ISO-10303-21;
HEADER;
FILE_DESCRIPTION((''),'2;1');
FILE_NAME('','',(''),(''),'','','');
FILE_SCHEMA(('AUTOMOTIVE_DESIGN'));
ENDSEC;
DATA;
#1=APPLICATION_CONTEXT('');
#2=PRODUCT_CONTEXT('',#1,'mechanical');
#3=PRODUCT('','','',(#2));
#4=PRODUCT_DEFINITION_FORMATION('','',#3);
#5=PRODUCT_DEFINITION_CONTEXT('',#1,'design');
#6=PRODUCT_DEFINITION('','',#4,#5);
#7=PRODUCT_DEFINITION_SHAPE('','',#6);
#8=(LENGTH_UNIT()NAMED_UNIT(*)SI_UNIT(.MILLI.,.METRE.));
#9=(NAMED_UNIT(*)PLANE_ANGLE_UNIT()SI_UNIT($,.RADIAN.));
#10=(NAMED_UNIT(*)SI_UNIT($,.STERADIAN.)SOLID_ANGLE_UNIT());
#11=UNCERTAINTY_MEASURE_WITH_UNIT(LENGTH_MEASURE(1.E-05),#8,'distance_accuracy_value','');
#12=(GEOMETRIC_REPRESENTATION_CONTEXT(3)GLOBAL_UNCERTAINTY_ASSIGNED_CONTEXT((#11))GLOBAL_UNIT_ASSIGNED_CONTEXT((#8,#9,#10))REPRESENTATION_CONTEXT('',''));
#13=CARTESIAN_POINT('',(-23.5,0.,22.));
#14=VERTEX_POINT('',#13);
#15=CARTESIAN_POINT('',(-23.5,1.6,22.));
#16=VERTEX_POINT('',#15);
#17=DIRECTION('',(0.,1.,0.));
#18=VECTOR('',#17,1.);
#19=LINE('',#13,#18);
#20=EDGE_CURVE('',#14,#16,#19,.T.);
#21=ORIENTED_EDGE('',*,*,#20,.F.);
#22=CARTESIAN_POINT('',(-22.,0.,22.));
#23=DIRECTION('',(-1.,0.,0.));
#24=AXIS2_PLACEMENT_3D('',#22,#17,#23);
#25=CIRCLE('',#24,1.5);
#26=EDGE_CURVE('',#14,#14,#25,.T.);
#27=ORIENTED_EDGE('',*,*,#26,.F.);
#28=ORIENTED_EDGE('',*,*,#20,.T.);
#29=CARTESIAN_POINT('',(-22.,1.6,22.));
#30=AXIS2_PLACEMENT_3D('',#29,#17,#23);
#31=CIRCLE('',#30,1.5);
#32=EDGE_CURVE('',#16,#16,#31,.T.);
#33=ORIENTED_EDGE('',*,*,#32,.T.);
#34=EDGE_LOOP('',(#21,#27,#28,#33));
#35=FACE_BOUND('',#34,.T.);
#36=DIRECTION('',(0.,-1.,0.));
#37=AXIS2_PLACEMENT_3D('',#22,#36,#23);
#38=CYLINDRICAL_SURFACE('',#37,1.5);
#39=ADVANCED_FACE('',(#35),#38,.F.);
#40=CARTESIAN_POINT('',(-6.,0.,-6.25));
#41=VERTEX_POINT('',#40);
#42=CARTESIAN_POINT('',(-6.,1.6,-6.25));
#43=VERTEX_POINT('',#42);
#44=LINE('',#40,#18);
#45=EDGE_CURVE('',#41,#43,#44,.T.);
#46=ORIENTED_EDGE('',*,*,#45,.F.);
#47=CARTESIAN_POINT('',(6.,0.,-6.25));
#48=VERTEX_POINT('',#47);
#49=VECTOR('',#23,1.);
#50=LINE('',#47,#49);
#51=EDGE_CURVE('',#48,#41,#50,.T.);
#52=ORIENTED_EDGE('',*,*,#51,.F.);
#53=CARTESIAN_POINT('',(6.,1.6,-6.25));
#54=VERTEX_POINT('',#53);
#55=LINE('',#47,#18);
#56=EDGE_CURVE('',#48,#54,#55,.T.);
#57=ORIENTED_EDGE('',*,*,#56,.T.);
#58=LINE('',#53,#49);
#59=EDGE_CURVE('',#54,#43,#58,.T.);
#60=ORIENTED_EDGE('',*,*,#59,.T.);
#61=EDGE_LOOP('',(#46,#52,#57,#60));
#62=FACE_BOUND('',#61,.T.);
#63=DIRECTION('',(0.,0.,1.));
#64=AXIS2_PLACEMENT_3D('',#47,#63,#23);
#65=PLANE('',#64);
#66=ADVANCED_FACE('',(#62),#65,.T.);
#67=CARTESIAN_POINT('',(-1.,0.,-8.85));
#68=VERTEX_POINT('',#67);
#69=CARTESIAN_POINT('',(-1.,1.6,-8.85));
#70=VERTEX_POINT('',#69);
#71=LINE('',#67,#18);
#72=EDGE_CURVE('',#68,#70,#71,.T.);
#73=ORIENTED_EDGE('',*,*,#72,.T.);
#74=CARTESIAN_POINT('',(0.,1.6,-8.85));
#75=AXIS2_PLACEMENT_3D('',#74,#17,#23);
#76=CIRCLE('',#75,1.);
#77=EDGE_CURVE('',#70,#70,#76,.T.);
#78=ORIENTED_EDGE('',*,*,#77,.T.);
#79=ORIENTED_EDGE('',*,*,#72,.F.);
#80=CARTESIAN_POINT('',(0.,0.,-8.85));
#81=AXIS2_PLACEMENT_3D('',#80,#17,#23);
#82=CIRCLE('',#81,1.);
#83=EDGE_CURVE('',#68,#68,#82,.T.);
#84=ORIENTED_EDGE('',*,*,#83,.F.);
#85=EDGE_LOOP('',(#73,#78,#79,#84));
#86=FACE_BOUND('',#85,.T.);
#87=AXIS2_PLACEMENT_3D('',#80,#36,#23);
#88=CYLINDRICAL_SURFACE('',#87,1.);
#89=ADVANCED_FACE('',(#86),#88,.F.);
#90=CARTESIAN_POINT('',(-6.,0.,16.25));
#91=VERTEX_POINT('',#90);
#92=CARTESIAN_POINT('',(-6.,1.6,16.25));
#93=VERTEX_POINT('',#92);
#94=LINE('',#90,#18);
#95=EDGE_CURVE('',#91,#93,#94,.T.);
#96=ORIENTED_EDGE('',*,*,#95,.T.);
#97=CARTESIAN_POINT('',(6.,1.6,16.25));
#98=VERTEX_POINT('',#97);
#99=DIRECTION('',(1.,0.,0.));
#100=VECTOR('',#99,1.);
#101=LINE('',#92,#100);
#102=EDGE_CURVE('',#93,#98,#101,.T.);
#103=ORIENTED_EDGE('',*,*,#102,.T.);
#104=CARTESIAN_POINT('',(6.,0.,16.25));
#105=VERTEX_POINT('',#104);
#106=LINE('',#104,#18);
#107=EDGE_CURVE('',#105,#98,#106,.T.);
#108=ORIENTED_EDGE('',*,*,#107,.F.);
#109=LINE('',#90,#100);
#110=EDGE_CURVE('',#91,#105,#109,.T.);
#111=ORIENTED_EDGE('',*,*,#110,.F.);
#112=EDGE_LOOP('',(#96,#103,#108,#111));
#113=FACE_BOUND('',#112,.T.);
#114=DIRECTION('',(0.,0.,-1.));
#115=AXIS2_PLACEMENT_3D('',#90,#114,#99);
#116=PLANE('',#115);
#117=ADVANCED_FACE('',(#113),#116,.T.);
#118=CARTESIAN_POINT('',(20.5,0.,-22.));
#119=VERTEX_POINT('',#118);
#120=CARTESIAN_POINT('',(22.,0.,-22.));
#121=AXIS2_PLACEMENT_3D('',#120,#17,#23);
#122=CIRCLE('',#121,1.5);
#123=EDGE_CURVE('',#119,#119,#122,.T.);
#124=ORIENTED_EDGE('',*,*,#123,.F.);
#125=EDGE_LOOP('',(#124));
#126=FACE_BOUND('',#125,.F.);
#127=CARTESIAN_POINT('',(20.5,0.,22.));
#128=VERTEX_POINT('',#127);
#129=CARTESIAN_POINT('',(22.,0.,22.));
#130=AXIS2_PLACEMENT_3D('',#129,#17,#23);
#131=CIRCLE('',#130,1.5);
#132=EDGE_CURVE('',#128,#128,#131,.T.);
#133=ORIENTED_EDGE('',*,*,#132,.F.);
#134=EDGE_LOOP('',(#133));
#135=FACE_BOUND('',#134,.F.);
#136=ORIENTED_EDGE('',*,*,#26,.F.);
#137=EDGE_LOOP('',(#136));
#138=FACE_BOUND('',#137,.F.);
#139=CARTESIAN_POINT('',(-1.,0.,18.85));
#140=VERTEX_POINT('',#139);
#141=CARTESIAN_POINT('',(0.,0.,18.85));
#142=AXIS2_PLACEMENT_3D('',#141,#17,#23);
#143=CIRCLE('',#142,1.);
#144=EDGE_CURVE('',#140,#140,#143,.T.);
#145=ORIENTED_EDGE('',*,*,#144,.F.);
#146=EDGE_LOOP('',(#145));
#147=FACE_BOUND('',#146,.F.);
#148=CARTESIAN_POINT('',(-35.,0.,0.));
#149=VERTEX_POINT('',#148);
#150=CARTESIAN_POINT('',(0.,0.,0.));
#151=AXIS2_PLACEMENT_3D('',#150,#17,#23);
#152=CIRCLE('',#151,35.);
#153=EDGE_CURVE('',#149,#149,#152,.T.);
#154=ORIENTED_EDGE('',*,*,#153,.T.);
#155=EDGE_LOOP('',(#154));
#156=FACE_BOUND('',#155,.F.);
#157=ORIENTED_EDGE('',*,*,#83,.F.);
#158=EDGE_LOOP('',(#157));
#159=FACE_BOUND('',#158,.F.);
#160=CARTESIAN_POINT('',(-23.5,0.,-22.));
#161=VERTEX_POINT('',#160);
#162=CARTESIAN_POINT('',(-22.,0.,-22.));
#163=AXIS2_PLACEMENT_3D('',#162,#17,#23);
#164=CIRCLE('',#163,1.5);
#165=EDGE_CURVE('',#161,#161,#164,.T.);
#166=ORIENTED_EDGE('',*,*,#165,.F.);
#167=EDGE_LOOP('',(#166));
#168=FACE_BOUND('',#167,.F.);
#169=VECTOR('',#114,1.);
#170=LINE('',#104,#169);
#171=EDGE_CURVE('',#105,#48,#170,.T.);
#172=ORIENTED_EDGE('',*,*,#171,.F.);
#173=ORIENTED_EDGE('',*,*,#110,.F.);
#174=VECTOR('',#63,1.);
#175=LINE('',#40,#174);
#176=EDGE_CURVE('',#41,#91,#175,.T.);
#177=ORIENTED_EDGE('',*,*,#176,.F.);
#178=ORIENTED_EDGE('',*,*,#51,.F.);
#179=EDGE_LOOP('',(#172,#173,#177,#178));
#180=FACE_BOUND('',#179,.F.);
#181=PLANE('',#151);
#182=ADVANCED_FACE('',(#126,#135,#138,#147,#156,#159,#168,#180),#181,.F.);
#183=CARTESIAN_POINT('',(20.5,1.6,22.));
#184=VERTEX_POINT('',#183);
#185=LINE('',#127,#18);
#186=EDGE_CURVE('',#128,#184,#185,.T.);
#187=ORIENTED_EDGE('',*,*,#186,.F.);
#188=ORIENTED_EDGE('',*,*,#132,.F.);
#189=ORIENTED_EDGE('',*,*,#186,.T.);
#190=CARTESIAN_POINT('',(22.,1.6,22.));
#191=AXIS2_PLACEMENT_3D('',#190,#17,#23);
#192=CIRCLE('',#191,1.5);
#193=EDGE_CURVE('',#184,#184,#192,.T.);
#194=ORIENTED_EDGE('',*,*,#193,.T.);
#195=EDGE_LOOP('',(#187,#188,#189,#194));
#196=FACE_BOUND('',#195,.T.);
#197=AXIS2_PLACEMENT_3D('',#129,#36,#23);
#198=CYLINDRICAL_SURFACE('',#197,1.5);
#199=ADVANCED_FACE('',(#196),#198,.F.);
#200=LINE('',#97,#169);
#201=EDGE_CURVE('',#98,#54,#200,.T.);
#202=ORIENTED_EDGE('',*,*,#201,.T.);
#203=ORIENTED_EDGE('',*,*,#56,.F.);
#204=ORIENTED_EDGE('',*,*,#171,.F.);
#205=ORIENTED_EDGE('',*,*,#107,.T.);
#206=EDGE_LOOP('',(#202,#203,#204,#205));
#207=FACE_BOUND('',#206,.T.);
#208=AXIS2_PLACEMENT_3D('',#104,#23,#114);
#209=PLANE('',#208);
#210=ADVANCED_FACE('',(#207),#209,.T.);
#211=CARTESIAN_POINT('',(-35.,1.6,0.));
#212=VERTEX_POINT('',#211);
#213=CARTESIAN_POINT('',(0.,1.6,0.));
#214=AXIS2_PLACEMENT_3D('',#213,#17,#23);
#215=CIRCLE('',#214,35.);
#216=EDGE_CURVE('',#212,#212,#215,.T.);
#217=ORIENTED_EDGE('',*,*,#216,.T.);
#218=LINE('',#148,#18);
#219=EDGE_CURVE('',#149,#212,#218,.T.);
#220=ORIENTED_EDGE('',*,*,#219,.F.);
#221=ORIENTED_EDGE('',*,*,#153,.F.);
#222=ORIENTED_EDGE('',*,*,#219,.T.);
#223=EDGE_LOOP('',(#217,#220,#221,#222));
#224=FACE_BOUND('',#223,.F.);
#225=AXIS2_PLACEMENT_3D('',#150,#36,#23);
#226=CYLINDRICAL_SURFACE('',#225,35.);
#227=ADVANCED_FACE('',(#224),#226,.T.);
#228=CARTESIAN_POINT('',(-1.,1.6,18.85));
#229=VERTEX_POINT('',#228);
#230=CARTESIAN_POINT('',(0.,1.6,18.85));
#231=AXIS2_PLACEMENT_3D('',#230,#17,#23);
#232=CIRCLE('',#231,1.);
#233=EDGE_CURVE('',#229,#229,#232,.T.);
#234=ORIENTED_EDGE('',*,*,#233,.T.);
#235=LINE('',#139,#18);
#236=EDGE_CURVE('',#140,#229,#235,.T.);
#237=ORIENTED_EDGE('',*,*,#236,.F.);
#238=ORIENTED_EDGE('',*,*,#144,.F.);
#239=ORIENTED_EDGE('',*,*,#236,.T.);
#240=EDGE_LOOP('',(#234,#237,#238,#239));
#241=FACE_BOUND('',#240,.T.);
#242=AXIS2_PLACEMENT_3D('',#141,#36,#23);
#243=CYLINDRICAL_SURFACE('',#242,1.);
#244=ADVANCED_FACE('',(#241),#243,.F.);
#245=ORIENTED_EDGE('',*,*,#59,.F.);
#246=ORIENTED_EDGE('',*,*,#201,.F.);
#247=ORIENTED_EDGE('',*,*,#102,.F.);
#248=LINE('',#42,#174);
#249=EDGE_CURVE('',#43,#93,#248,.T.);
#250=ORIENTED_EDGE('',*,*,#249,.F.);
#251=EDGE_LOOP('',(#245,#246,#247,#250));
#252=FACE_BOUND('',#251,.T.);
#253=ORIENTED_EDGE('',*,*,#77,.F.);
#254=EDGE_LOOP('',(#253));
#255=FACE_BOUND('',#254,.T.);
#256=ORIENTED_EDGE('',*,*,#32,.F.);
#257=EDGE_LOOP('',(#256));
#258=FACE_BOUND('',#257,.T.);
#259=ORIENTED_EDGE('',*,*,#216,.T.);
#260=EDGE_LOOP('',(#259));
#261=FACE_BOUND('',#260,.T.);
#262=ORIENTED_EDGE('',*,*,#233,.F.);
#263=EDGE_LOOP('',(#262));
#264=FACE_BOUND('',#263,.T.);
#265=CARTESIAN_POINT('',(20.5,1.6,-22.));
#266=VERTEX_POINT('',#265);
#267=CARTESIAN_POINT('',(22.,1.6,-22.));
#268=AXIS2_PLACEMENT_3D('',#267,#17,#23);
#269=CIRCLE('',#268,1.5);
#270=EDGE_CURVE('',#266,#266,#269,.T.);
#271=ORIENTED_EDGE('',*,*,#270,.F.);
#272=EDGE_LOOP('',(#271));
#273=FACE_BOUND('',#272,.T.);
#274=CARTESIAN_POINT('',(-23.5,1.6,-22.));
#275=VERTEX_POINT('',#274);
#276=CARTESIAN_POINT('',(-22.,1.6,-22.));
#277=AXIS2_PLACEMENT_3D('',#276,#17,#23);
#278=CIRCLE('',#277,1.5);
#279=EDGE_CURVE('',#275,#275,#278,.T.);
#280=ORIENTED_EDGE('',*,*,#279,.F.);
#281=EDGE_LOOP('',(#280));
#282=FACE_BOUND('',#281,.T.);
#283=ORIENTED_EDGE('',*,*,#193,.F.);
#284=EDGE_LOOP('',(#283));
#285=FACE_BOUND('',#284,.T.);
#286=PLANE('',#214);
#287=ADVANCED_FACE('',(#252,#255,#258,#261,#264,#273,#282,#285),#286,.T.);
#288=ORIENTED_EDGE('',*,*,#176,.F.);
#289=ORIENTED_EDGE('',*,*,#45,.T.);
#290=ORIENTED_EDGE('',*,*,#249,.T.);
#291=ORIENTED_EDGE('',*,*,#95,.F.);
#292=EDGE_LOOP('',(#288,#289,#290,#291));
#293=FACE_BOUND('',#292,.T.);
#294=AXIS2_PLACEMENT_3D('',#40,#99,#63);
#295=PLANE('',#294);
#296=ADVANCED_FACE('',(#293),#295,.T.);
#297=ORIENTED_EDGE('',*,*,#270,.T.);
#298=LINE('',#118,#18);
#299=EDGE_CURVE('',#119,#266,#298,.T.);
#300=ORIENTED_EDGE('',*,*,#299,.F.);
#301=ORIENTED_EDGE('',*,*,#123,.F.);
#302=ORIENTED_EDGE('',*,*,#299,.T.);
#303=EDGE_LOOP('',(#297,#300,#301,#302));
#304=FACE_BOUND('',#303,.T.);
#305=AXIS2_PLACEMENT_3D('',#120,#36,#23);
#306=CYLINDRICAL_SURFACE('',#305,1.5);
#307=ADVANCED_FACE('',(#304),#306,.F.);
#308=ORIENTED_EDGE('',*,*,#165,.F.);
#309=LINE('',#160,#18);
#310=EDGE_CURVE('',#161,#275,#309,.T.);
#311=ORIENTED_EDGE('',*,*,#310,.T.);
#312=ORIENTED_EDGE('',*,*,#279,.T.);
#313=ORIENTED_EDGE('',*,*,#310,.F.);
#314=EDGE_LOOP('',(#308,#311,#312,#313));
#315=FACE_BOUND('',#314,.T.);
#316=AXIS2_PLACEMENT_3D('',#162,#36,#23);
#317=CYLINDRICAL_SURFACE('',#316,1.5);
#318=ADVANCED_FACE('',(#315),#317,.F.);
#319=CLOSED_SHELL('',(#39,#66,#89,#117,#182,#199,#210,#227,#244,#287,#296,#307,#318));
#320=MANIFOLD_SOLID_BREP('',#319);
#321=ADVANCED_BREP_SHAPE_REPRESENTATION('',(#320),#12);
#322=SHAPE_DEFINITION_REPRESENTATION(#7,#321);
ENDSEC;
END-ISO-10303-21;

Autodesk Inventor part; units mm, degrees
ref_plane "YZ Plane" through (0, 0, 0) normal (1, 0, 0) x (0, 1, 0)
ref_plane "XZ Plane" through (0, 0, 0) normal (0, 1, 0) x (-1, 0, 0)
ref_plane "XY Plane" through (0, 0, 0) normal (0, 0, 1) x (1, 0, 0)
sketch "Szkic1" plane through (0, 0, 0) normal (0, 1, 0) x (-1, 0, 0)
  circle A0 centre (0, 0) radius 35
  line L0 (-6, -6.25) -> (6, -6.25)
  line L1 (6, -6.25) -> (6, 16.25)
  line L2 (6, 16.25) -> (-6, 16.25)
  line L3 (-6, 16.25) -> (-6, -6.25)
  circle A1 centre (0, 18.85) radius 1
  circle A2 centre (-22, -22) radius 1.5
  circle A3 centre (22, -22) radius 1.5
  circle A4 centre (22, 22) radius 1.5
  circle A5 centre (-22, 22) radius 1.5
  circle A6 centre (0, -8.85) radius 1
  dimension "d0" = 70
  dimension "d1" = 12
  dimension "d2" = 22.5
  dimension "d3" = 2
  dimension "d4" = 2.6
  dimension "d7" = 3
  dimension "d10" = 360
  dimension "d12" = 22
  dimension "d13" = 22
  dimension "d14" = 2
  dimension "d15" = 6
  dimension "d16" = 2.6
  dimension "d17" = 6
  dimension "d18" = 6.25
extrude "Wyciągnięcie proste1" add sketch "Szkic1" along normal blind 1.6
equation "\"d15\" = 0.5 * d1"
equation "\"d17\" = 0.5 * d1"
properties part number "podstawa"
